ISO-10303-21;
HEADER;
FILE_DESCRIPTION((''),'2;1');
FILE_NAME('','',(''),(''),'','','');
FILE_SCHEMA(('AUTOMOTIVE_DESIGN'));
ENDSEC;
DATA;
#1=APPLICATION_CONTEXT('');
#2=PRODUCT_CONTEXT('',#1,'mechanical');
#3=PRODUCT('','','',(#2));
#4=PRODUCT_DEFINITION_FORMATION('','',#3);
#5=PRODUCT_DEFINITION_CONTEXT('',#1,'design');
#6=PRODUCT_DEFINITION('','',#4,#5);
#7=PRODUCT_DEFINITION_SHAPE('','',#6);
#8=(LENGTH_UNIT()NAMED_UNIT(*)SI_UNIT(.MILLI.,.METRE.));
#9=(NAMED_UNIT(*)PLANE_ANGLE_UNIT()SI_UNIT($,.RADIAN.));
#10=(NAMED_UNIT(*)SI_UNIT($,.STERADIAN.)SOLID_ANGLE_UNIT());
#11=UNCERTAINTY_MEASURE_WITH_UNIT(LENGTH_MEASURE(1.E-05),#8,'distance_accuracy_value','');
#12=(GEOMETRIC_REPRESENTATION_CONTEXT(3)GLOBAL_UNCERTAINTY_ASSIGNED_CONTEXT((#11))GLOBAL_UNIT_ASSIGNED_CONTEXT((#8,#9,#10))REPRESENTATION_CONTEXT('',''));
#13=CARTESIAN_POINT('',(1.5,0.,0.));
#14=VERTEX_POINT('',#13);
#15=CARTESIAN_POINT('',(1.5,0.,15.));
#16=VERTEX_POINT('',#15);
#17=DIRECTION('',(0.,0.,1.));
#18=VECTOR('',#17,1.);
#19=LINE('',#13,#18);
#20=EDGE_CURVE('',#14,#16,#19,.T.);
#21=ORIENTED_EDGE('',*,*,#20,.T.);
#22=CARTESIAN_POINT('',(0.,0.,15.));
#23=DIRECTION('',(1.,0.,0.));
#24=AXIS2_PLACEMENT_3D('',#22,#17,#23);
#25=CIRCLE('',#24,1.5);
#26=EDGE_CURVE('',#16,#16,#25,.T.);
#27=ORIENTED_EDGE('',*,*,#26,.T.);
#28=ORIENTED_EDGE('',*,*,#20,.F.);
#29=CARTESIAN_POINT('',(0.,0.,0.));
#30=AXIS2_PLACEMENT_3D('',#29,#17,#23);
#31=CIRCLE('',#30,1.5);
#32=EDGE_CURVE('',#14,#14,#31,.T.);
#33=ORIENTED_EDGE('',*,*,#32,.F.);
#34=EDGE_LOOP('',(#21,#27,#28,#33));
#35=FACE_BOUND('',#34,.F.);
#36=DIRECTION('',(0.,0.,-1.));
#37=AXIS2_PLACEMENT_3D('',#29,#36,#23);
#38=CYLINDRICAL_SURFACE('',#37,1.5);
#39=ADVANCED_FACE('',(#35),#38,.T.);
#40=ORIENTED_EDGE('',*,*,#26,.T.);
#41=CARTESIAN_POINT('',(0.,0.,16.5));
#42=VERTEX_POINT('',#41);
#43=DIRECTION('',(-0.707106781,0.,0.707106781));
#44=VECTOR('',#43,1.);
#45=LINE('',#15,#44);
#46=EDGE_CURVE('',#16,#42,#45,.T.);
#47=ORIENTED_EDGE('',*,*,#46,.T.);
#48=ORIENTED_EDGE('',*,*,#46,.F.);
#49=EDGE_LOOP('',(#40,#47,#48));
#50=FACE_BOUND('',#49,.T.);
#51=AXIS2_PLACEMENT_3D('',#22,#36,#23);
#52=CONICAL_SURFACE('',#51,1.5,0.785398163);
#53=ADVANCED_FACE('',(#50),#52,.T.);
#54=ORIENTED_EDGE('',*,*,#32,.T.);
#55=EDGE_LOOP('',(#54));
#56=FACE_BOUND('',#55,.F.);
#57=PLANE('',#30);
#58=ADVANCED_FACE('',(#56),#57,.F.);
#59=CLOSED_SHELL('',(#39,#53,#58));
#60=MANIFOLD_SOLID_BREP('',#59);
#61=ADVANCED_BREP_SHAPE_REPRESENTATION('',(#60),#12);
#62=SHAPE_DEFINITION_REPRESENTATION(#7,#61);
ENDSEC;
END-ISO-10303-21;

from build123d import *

# Parameters (mm, degrees)
F0_R     = 1.5
F1_DEPTH = 15


with BuildPart() as f1:
    # F0 (on Top) → F1 (new body)
    with BuildSketch(Plane.XY):
        Circle(F0_R)
    extrude(amount=F1_DEPTH)

    # F2 (on Front) → F3 (revolve)
    with BuildSketch(Plane.XZ):
        Polygon((0, 16.5), (0, 15), (1.5, 15), align=None)
    revolve(axis=Axis((0, 0, 15.75), (0, 0, 1)))


solid = f1.part
